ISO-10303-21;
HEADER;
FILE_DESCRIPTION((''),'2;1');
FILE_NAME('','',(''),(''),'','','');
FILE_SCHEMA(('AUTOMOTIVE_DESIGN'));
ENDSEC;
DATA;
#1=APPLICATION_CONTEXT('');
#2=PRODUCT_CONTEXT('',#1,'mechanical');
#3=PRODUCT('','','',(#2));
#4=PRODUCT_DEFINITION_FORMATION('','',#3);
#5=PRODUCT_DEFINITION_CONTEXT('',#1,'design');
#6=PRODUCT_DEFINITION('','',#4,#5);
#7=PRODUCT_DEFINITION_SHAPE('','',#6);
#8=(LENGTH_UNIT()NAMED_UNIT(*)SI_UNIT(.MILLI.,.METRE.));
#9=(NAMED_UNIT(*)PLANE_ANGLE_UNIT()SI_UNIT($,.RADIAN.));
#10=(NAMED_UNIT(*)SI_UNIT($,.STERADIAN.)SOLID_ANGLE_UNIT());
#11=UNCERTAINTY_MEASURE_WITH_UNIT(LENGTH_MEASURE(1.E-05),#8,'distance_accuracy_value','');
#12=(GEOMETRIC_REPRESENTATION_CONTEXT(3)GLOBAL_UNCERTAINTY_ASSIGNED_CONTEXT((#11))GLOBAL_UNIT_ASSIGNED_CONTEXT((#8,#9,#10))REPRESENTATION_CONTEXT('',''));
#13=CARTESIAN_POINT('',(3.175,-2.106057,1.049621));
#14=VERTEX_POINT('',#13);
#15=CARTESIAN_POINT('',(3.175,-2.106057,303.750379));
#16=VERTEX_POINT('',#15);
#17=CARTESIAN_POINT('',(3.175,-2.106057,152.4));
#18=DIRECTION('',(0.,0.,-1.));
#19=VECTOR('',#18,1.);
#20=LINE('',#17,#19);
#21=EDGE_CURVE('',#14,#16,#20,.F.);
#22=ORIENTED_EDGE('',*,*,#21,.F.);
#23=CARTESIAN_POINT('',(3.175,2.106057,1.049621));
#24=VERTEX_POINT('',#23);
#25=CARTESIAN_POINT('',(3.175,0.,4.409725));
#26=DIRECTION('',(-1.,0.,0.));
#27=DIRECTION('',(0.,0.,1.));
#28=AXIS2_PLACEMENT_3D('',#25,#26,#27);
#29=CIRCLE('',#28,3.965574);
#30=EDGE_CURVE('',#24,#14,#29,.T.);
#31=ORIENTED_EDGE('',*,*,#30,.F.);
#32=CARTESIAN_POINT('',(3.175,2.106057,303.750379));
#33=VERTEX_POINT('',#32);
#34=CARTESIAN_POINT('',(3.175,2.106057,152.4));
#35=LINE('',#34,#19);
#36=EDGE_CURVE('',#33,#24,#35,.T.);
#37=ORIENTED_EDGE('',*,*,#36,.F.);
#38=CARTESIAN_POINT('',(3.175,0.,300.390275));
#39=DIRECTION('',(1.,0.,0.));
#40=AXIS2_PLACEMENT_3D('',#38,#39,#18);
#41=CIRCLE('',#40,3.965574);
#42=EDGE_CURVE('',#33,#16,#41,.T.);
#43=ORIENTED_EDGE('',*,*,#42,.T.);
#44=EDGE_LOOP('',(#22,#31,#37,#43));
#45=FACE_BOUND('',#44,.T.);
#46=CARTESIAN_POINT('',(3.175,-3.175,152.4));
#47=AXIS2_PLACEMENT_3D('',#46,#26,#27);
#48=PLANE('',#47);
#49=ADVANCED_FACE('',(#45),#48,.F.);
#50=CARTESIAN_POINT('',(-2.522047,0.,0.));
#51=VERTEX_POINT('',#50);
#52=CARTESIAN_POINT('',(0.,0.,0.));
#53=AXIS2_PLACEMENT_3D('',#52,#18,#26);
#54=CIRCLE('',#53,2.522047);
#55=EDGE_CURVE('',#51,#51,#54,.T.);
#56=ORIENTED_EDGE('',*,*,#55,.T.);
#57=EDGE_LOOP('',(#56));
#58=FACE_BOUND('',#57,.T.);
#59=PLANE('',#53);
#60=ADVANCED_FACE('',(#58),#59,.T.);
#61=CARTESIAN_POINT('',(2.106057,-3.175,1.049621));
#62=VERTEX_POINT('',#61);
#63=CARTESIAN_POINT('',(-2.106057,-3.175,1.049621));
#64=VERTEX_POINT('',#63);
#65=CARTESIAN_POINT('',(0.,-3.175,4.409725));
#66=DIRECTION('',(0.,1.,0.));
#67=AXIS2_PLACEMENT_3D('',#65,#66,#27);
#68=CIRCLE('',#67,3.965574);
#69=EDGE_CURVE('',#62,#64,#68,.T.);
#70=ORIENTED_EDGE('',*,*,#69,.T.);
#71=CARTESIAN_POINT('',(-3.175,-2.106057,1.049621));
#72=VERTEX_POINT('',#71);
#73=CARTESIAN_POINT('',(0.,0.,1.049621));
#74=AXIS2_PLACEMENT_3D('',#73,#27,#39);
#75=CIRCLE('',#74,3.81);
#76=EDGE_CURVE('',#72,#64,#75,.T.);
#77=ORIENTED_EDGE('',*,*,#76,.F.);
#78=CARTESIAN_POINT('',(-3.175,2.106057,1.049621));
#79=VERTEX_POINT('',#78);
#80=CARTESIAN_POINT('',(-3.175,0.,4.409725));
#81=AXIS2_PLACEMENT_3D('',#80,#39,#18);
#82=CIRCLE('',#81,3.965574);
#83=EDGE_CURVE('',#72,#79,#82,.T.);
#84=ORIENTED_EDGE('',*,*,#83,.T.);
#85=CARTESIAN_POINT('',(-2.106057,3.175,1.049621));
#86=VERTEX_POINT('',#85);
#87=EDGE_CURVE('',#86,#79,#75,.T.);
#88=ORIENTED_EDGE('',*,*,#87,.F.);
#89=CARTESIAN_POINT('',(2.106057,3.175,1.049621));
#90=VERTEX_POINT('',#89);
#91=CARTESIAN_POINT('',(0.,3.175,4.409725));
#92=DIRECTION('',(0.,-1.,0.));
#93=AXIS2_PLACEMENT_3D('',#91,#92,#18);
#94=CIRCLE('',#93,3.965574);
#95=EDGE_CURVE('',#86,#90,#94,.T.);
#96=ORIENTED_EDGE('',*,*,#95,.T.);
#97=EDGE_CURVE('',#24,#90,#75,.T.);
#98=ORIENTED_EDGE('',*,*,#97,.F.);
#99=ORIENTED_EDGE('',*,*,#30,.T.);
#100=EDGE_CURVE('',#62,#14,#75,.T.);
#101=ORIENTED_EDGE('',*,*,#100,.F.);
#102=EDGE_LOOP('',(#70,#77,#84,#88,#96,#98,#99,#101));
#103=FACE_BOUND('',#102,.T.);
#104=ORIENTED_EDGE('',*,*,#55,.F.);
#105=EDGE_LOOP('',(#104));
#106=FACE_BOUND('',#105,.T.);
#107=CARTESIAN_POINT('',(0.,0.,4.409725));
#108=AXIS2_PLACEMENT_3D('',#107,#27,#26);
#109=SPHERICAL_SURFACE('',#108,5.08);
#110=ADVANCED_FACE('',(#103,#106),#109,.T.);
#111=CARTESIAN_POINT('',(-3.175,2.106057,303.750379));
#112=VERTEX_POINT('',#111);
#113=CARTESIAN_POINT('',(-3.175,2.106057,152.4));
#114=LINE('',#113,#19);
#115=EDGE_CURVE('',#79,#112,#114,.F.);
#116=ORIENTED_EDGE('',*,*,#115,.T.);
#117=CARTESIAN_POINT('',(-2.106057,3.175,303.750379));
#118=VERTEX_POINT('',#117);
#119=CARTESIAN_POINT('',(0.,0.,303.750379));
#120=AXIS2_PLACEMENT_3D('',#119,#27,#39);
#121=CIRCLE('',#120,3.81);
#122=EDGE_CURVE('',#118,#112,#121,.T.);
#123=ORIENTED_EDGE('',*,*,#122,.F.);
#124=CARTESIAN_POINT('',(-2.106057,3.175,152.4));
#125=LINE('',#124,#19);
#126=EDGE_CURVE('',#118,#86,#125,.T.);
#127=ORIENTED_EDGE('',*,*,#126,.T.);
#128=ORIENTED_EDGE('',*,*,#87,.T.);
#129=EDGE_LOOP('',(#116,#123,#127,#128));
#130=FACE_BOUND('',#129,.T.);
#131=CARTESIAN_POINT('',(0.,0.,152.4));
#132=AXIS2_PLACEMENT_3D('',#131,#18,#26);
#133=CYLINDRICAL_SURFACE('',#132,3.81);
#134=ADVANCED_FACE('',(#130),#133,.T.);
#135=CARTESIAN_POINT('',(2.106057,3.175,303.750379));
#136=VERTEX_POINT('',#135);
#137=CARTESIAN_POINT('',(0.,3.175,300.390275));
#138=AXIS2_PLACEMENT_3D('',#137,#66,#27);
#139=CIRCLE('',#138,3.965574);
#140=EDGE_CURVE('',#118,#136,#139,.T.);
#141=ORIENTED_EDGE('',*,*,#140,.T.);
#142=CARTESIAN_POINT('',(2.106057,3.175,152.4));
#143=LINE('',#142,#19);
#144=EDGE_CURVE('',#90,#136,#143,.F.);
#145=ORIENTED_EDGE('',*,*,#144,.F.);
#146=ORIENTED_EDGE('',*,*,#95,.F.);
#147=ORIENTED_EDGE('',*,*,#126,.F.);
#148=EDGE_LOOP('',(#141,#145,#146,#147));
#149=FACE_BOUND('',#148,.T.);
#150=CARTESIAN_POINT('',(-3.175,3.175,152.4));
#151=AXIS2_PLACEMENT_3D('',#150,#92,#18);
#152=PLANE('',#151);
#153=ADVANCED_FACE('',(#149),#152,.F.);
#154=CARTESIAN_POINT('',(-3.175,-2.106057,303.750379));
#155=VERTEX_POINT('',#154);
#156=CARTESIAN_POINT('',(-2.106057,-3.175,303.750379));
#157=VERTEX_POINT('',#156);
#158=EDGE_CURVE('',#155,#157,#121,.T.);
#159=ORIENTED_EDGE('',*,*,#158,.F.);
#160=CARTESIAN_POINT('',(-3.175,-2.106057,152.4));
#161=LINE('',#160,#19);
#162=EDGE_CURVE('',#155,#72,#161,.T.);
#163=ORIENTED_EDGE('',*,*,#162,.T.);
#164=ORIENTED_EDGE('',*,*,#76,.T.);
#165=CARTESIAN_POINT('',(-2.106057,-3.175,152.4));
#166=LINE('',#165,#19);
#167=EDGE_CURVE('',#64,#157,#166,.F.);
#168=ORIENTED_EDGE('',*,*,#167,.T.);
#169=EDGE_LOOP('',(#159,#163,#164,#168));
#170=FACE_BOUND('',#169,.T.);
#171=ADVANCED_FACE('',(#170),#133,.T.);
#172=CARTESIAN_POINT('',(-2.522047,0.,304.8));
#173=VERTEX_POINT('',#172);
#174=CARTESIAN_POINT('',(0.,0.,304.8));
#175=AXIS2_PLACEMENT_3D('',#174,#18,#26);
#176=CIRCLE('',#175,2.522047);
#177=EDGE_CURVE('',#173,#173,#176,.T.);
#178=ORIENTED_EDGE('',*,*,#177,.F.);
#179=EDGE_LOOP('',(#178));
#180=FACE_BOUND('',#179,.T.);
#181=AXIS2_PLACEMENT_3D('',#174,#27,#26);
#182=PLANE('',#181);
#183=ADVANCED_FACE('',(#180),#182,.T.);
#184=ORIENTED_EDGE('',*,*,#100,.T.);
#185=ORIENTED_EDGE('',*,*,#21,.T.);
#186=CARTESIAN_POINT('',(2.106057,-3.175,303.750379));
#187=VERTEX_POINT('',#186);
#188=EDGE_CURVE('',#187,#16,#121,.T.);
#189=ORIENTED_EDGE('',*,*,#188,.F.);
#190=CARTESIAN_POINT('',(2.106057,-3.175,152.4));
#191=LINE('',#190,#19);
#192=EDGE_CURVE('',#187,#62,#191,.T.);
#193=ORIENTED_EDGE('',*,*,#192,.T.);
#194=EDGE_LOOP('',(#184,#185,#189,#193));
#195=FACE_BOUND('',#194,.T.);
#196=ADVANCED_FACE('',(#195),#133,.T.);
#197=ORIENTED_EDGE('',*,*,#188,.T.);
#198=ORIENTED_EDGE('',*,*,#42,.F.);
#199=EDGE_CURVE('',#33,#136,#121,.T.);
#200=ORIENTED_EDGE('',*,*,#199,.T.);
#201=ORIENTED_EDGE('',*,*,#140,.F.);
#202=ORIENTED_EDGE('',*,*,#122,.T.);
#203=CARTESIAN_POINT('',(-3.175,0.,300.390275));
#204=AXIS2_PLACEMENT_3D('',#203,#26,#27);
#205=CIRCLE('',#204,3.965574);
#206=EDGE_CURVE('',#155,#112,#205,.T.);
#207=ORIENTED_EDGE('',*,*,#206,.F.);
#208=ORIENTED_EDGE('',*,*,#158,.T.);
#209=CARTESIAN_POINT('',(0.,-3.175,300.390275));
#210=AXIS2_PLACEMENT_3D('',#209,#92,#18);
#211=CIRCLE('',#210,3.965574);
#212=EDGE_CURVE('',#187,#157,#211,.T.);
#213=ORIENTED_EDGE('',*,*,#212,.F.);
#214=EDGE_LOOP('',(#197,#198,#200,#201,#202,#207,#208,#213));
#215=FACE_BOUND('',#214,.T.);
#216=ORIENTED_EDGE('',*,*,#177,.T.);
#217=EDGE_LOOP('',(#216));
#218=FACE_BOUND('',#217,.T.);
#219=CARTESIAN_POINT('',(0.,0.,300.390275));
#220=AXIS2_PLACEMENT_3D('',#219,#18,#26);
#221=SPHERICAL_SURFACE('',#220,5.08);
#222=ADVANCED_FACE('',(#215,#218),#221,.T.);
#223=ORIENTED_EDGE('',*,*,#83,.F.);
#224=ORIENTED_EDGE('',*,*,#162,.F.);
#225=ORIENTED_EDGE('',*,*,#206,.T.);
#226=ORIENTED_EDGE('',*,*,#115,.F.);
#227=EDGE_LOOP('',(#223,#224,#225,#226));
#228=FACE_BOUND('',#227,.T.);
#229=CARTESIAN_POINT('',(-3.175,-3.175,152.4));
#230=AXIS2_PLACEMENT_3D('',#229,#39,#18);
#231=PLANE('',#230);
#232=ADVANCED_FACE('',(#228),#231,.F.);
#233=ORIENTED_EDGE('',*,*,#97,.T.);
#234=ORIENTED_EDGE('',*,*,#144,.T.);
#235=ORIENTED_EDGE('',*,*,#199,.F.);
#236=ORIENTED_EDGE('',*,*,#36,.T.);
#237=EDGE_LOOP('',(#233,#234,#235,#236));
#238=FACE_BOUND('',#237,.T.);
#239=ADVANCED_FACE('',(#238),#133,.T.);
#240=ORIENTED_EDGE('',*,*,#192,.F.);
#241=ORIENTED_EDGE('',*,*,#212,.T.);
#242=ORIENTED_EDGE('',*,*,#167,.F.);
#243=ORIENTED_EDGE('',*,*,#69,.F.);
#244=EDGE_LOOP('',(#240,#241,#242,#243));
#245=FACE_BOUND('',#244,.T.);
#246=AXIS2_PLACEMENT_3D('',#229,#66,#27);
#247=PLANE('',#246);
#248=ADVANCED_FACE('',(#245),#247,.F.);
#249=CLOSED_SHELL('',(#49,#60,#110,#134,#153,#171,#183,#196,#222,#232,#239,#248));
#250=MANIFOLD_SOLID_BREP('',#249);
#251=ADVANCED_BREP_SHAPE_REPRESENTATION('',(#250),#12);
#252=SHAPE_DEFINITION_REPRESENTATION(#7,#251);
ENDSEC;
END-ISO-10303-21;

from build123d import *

# Parameters (mm, degrees)
SKETCH1_W           = 6.35
SKETCH1_H           = 6.35
BOSS_EXTRUDE1_DEPTH = 152.4
SKETCH2_OUTSIDE_W   = 38.882
SKETCH2_OUTSIDE_H   = 38.882
SKETCH2_OUTSIDE_R   = 3.81
CUT_EXTRUDE1_DEPTH  = 153.4


with BuildPart() as part:
    # Sketch1 → Boss-Extrude1 (new body)
    with BuildSketch(Plane.XY):
        Rectangle(SKETCH1_W, SKETCH1_H)
    extrude(amount=BOSS_EXTRUDE1_DEPTH)

    # Sketch2 outside → Cut-Extrude1 (cut, through all)
    with BuildSketch(Plane(origin=(0, 0, 0), x_dir=(-1, 0, 0), z_dir=(0, 0, -1))):
        Rectangle(SKETCH2_OUTSIDE_W, SKETCH2_OUTSIDE_H)
        Circle(SKETCH2_OUTSIDE_R, mode=Mode.SUBTRACT)
    extrude(amount=-CUT_EXTRUDE1_DEPTH, mode=Mode.SUBTRACT)

    # Sketch3 → Cut-Revolve1 (revolve, cut)
    with BuildSketch(Plane(origin=(0, 0, 0), x_dir=(1, 0, 0), z_dir=(0, 1, 0))):
        with BuildLine():
            Line((-5.053685963, -3.893335876), (-5.053685963, 5.740530545))
            Line((-5.053685963, 5.740530545), (0, 5.740530545))
            Line((0, 5.740530545), (0, 0.670274551))
            ThreePointArc((0, 0.670274551), (-3.404639553, -0.639469554), (-5.053685963, -3.893335876))
        make_face()
    revolve(axis=Axis((0, 0, 152.4), (0, 0, -1)), mode=Mode.SUBTRACT)

    # Mirror1: part across plane


with BuildPart() as part_1:
    add(part.part)
    add(part.part.mirror(Plane(origin=(0, 0, 152.4), x_dir=(1, 0, 0), z_dir=(0, 0, -1))))


solid = part_1.part
